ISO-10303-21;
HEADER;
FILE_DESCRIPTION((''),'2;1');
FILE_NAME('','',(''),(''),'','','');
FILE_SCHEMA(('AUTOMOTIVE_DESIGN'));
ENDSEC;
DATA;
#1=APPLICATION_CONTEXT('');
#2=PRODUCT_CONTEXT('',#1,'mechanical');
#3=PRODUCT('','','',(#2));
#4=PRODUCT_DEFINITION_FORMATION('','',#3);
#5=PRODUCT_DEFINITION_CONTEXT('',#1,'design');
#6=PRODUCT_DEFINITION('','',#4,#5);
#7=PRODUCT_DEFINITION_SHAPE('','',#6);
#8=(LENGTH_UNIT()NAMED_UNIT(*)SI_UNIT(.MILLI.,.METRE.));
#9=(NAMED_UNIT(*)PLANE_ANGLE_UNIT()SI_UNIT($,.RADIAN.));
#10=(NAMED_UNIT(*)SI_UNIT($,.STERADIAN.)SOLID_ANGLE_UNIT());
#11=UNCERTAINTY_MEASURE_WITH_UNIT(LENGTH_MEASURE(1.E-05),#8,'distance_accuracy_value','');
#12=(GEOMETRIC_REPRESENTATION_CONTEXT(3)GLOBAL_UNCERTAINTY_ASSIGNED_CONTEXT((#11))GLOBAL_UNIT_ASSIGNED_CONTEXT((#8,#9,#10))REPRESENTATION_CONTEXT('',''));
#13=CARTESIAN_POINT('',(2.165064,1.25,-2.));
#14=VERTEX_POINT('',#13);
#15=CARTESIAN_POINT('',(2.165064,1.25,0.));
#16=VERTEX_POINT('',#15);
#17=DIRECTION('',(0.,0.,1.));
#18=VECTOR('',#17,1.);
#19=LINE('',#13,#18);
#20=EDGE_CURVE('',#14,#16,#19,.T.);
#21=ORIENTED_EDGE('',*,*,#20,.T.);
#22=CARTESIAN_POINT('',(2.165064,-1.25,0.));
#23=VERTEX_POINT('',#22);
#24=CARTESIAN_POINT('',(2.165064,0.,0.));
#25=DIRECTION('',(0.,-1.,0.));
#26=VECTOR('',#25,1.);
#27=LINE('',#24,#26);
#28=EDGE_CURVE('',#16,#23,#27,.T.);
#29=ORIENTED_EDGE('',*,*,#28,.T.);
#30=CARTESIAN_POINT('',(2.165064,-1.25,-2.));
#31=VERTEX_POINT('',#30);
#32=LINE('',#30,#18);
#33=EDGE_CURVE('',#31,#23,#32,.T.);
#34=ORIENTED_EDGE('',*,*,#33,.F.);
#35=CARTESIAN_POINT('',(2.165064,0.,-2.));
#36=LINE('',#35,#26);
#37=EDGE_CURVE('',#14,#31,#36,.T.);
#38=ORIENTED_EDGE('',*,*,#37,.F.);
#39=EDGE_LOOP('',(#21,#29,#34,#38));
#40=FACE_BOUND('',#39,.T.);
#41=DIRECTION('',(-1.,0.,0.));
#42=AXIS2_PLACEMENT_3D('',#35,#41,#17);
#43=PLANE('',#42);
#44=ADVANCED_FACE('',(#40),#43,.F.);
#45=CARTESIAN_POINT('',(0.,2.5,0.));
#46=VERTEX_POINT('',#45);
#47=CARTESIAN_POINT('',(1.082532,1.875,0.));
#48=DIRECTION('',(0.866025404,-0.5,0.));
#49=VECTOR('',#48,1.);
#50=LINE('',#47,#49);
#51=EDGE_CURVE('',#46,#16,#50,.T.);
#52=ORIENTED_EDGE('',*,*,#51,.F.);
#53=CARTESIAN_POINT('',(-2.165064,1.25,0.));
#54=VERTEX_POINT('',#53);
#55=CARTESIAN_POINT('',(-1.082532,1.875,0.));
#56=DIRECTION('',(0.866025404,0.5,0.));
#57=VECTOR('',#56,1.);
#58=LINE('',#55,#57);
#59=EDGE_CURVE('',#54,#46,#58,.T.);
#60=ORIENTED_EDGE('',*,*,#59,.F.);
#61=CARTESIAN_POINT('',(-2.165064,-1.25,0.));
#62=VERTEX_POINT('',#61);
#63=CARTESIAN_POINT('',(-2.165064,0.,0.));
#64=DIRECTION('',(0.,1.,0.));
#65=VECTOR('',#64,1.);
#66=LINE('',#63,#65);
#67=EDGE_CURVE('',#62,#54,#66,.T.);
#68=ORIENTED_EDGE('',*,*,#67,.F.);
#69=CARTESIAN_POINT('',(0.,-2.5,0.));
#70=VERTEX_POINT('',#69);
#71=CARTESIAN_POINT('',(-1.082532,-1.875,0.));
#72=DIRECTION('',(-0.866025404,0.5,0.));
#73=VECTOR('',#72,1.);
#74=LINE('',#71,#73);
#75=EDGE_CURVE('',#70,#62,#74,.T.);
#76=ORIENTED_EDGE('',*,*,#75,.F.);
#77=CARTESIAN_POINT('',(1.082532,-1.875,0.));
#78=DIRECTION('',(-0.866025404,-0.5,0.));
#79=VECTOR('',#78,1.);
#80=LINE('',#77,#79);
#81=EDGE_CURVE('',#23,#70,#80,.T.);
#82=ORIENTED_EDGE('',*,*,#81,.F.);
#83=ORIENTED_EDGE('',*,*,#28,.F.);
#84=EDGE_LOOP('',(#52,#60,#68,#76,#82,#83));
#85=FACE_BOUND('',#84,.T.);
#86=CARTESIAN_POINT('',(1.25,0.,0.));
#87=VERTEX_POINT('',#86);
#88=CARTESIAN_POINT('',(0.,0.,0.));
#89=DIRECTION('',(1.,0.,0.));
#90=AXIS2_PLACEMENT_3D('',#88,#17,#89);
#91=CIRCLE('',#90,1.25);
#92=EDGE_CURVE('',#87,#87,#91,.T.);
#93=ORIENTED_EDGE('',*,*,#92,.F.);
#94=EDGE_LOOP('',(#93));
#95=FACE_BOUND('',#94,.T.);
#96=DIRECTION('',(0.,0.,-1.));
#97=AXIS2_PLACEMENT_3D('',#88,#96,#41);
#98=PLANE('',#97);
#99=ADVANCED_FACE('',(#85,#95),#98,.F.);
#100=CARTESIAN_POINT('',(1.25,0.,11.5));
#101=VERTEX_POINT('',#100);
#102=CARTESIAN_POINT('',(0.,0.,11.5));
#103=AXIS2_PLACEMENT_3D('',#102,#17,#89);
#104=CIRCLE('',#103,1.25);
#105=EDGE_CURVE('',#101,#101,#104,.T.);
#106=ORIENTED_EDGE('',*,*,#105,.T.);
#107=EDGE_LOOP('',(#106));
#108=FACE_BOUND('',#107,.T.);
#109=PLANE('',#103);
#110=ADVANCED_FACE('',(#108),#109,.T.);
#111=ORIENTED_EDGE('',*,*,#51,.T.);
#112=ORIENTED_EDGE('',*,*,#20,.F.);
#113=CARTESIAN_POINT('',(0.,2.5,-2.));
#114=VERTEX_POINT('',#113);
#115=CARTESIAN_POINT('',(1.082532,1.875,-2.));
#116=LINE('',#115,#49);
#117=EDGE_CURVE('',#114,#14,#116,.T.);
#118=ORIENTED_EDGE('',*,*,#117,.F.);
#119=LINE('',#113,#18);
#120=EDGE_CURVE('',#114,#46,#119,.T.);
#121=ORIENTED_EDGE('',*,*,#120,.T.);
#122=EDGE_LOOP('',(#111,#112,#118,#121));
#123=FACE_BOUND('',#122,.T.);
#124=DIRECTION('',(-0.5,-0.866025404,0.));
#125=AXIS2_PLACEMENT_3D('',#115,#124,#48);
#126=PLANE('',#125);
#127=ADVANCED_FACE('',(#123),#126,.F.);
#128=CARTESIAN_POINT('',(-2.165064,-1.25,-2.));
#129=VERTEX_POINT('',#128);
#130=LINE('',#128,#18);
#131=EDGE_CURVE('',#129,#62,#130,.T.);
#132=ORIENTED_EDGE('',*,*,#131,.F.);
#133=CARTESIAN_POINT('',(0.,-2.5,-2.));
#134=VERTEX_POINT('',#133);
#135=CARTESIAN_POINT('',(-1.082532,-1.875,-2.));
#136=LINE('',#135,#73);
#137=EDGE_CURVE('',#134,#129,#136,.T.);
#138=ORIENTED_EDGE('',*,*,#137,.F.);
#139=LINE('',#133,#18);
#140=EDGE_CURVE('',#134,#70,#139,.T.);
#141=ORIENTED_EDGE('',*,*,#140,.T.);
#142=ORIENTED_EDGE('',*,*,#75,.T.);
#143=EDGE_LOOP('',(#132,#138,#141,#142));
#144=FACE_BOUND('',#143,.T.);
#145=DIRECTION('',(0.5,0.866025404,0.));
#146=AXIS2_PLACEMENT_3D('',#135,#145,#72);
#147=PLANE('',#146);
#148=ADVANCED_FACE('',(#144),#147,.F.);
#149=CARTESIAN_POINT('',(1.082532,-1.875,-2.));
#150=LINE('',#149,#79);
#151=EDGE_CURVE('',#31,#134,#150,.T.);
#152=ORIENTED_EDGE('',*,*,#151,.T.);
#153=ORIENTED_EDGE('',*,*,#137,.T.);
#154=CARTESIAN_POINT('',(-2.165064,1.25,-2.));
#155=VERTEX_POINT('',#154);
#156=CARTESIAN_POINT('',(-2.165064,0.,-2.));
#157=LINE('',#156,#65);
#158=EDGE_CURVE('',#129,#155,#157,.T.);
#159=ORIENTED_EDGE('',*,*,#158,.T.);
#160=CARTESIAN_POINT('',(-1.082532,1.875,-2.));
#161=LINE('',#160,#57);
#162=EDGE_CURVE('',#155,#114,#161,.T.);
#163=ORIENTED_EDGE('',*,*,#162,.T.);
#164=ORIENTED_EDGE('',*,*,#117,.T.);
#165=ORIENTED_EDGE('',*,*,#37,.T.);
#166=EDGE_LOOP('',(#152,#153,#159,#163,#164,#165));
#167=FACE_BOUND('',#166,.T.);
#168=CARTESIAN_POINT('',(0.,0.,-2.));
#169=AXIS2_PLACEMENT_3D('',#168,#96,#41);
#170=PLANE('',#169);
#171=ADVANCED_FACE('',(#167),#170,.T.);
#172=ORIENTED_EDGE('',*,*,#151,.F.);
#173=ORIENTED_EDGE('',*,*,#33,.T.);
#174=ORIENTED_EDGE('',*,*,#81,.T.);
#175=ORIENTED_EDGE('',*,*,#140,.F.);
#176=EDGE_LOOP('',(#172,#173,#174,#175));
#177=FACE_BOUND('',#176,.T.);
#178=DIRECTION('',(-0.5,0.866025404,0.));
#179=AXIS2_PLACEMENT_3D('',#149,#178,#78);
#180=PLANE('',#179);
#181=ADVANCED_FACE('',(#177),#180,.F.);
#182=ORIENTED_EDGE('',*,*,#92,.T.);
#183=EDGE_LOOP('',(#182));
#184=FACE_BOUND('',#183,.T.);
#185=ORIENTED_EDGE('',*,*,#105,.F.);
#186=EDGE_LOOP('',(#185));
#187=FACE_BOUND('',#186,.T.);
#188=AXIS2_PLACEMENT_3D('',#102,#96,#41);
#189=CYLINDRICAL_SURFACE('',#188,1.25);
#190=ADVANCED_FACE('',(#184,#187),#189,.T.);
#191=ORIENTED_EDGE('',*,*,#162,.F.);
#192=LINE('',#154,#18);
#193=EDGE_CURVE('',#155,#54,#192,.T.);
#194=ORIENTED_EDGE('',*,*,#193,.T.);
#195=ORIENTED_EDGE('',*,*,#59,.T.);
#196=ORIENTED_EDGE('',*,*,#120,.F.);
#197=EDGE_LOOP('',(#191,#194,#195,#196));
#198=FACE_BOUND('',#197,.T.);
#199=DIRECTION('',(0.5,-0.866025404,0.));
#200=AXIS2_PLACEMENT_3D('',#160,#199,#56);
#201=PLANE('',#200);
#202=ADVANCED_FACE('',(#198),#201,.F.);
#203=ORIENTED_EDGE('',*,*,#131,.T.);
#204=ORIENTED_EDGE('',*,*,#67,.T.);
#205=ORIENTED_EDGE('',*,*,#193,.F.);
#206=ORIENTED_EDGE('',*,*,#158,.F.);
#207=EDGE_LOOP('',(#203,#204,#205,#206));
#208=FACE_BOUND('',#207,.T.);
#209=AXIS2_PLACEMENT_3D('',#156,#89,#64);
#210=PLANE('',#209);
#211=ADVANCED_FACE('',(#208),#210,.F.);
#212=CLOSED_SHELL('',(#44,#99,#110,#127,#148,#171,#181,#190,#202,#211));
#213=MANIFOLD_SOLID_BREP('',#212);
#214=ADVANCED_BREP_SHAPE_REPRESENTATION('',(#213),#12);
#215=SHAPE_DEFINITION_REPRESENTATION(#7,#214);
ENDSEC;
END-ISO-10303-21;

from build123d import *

# Parameters (mm, degrees)
ESQUISSE1_R        = 1.25
BOSS_EXTRU_1_DEPTH = 11.5
BOSS_EXTRU_2_DEPTH = 2


with BuildPart() as part:
    # Esquisse1 → Boss.-Extru.1 (new body)
    with BuildSketch(Plane.XY):
        Circle(ESQUISSE1_R)
    extrude(amount=BOSS_EXTRU_1_DEPTH)

    # Esquisse2 → Boss.-Extru.2 (add)
    with BuildSketch(Plane(origin=(0, 0, 0), x_dir=(-1, 0, 0), z_dir=(0, 0, -1))):
        Polygon((0, 2.5), (-2.165063509, 1.25), (-2.165063509, -1.25), (0, -2.5), (2.165063509, -1.25), (2.165063509, 1.25), align=None)
    extrude(amount=BOSS_EXTRU_2_DEPTH)


solid = part.part
